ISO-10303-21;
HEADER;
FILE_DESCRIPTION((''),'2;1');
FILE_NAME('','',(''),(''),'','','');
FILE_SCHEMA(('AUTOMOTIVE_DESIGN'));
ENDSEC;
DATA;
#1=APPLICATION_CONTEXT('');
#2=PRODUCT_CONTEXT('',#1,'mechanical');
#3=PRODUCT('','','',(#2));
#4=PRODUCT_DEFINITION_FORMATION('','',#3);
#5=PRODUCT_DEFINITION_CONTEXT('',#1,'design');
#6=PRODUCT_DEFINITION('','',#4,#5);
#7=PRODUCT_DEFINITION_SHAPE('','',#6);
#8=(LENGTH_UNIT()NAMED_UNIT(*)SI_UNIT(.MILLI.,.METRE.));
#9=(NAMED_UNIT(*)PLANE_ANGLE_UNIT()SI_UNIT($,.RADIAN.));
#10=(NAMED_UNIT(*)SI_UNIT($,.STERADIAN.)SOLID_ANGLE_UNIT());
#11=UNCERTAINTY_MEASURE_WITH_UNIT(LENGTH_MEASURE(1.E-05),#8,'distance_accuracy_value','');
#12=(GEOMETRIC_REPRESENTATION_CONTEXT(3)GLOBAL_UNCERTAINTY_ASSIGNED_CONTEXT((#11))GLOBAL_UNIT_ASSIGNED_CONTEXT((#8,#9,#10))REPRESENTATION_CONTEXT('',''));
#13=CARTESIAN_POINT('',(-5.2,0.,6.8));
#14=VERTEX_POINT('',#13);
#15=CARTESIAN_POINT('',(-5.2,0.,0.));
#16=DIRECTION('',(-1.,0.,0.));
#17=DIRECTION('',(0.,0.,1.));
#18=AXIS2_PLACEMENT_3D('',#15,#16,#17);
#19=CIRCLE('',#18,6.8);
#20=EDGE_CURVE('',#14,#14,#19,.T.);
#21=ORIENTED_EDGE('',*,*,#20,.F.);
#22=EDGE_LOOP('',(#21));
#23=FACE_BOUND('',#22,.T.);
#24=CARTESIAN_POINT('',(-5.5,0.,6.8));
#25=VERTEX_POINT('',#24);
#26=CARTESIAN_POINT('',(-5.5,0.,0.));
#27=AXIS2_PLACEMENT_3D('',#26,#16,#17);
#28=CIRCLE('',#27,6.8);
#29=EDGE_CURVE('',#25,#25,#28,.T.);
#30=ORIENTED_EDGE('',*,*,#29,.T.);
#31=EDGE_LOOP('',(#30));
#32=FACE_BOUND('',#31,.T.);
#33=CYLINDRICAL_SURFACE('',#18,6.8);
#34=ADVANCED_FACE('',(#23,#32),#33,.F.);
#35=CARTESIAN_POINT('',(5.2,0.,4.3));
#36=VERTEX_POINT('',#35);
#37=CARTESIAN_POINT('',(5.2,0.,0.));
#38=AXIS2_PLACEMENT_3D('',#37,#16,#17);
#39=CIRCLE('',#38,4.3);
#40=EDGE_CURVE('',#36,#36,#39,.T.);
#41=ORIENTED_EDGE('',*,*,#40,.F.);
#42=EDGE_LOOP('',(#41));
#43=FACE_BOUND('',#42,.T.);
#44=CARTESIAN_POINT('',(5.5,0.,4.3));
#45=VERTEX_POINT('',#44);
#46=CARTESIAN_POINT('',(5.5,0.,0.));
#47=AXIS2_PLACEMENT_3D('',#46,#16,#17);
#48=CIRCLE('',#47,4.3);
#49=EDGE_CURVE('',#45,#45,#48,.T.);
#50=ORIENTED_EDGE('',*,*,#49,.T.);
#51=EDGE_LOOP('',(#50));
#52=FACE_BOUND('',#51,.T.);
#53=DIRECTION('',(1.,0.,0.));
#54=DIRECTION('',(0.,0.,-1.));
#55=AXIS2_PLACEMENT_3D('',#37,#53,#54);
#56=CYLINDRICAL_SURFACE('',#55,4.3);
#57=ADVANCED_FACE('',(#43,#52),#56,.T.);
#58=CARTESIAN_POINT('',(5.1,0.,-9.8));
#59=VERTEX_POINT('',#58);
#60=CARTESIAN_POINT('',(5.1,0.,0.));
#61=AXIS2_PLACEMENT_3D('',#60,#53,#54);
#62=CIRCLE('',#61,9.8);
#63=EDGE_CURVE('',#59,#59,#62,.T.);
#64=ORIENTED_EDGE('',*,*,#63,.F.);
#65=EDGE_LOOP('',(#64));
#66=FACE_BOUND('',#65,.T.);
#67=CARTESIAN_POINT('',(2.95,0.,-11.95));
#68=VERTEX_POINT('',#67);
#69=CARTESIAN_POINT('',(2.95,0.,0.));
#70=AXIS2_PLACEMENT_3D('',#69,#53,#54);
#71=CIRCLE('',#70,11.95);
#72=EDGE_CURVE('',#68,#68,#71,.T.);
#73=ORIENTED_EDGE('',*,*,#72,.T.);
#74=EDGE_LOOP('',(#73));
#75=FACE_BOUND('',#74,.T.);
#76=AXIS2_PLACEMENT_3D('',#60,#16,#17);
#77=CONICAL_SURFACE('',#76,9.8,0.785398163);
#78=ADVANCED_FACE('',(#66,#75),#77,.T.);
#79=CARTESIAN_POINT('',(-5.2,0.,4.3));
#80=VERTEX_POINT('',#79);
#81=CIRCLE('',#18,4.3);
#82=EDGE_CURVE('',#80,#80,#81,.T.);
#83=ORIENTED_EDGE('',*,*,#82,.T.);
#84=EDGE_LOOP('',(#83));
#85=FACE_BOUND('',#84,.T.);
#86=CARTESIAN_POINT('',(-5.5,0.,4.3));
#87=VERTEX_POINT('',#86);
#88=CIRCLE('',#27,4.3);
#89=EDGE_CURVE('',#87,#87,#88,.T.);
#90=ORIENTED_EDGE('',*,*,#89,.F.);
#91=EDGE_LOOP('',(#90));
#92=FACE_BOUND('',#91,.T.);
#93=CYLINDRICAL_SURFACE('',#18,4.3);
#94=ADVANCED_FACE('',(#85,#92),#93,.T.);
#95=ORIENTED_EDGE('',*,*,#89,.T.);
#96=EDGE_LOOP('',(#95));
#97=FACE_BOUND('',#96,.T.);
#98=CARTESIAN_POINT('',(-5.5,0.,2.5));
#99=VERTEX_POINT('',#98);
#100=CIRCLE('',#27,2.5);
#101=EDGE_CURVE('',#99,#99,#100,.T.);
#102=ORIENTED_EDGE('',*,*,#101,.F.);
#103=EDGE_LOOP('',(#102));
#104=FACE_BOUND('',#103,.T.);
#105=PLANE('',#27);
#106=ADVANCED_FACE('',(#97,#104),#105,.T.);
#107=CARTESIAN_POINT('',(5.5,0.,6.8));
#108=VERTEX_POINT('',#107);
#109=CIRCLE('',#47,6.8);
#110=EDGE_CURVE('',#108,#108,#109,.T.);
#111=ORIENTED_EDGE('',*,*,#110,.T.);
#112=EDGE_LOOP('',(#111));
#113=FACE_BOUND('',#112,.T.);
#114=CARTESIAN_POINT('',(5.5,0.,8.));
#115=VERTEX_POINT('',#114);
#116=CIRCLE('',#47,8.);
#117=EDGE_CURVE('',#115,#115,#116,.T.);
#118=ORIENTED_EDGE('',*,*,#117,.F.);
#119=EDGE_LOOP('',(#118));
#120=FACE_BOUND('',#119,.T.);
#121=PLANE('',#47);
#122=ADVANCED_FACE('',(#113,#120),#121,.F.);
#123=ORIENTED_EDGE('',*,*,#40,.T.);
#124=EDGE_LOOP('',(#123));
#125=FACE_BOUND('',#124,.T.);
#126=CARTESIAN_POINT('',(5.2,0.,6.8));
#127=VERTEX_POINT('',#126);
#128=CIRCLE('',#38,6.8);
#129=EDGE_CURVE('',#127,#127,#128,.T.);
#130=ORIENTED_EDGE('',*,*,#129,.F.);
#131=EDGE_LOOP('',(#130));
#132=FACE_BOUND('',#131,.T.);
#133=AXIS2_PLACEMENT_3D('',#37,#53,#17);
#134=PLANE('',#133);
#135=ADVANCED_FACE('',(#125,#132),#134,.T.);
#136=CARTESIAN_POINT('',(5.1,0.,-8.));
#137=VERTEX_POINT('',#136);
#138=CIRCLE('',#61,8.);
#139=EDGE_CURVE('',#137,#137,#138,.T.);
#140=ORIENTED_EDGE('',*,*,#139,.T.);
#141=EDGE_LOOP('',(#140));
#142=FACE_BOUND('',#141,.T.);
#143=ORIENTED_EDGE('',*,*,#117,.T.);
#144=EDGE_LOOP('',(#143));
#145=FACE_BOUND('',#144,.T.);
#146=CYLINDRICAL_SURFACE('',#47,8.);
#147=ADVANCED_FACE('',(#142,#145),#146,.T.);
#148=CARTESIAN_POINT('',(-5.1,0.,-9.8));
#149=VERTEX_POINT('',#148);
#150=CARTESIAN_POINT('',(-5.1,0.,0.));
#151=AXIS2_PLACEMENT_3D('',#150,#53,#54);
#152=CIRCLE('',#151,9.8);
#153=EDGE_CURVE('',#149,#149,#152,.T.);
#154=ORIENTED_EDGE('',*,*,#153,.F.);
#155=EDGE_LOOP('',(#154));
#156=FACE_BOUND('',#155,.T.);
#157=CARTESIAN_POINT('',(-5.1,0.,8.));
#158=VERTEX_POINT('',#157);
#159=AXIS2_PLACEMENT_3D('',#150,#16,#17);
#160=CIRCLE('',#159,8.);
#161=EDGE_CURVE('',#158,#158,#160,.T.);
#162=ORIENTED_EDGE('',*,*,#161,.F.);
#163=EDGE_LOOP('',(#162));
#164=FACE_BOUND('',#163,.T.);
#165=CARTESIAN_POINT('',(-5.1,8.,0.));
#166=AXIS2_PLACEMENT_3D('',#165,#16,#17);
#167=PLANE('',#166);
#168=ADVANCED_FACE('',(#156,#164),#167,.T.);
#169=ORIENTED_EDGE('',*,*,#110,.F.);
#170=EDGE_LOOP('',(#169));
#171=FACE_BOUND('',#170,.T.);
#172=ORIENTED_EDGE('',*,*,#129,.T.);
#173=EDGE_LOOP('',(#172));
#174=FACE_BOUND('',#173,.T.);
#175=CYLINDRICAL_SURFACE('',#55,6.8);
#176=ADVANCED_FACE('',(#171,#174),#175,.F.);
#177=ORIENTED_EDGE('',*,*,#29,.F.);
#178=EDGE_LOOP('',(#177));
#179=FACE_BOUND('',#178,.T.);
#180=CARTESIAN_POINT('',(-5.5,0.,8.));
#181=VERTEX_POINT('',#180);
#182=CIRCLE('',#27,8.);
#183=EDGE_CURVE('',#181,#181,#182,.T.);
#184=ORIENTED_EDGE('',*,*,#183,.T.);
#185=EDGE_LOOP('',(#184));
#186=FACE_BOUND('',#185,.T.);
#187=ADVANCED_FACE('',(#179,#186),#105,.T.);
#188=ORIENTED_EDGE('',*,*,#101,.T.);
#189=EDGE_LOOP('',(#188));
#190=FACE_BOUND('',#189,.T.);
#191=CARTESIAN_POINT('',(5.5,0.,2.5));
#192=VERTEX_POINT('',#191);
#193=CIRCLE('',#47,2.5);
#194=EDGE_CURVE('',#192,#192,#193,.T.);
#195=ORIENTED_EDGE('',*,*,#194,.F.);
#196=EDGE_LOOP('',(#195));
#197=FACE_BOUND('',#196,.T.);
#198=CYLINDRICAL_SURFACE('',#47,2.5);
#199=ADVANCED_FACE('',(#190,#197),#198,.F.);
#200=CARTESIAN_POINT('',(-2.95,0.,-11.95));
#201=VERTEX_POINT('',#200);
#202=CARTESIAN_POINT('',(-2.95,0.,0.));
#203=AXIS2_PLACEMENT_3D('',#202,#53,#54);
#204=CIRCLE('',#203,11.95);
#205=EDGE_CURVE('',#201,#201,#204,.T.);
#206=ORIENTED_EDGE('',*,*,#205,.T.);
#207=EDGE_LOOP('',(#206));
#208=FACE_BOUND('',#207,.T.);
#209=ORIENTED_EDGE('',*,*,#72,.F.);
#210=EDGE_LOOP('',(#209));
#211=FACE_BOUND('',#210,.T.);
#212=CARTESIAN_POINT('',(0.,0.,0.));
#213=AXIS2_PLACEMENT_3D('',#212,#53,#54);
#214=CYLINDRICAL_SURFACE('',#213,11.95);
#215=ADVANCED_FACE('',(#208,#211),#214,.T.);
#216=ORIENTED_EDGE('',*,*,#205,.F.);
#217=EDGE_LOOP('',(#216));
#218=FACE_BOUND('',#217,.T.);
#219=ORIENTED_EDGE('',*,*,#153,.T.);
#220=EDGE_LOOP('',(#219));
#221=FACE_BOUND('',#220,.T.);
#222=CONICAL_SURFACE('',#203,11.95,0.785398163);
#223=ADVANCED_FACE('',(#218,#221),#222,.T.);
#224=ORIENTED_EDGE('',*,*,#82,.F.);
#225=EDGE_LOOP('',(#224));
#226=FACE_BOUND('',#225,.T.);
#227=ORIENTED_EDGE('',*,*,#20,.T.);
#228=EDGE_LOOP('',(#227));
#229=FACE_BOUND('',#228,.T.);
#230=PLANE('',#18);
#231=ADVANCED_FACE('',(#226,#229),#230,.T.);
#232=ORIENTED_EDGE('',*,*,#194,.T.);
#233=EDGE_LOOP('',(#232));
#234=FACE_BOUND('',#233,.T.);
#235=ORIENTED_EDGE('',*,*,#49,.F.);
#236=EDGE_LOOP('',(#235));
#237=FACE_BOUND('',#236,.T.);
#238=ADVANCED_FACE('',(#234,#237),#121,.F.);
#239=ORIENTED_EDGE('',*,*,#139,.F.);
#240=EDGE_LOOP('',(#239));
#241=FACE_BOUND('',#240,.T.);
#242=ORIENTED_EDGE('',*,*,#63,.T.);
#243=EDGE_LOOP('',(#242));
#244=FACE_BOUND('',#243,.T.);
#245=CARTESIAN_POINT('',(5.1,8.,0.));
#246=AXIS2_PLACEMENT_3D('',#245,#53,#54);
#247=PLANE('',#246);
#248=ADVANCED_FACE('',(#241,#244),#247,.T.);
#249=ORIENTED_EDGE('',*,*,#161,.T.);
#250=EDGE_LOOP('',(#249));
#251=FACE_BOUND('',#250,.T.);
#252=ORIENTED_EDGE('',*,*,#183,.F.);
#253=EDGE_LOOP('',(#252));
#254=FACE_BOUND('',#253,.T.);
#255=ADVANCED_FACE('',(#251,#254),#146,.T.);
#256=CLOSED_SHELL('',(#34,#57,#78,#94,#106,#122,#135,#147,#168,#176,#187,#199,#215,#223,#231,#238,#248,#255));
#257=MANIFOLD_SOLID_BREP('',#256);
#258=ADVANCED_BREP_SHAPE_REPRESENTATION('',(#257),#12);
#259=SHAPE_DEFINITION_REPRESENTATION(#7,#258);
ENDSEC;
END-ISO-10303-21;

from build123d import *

# Parameters (mm, degrees)
BOSS_EXTRU_1_DEPTH      = 0.4
BOSS_EXTRU_1_DEPTH_BACK = 10.6
ESQUISSE1_R             = 8
ESQUISSE1_R_2           = 2.5
ESQUISSE2_R             = 6.8
ESQUISSE2_R_2           = 4.3
ENL_V_MAT_EXTRU_1_DEPTH = 0.3


with BuildPart() as part:
    # Sketch1 → Revolve1 (revolve)
    with BuildSketch(Plane.XY, mode=Mode.PRIVATE) as revolve1_sk:
        Polygon((0.5, 7), (-0.5, 7), (-0.5, 8), (-5.1, 8), (-5.1, 9.8), (-2.95, 11.95), (2.95, 11.95), (5.1, 9.8), (5.1, 8), (0.5, 8), align=None)
    revolve(revolve1_sk.sketch.rotate(Axis((0, 0, 0), (-1, 0, 0)), 90), axis=Axis((0, 0, 0), (-1, 0, 0)))

    # Esquisse1 → Boss.-Extru.1 (add, two sides: drawn at the far end of the back side and taken through both)
    with BuildSketch(Plane.ZY.offset(5.1).offset(-BOSS_EXTRU_1_DEPTH_BACK)):
        Circle(ESQUISSE1_R)
        Circle(ESQUISSE1_R_2, mode=Mode.SUBTRACT)
    extrude(amount=BOSS_EXTRU_1_DEPTH + BOSS_EXTRU_1_DEPTH_BACK)

    # Esquisse2 → Enlèv. mat.-Extru.1 (cut)
    with BuildSketch(Plane.ZY.offset(5.5)):
        Circle(ESQUISSE2_R)
        Circle(ESQUISSE2_R_2, mode=Mode.SUBTRACT)
    enl_v_mat_extru_1 = extrude(amount=-ENL_V_MAT_EXTRU_1_DEPTH, mode=Mode.SUBTRACT)

    # Symétrie1: Enlèv. mat.-Extru.1 across plane
    add(enl_v_mat_extru_1.mirror(Plane(origin=(0, 0, 0), x_dir=(0, 0, 1), z_dir=(1, 0, 0))), mode=Mode.SUBTRACT)


solid = part.part
